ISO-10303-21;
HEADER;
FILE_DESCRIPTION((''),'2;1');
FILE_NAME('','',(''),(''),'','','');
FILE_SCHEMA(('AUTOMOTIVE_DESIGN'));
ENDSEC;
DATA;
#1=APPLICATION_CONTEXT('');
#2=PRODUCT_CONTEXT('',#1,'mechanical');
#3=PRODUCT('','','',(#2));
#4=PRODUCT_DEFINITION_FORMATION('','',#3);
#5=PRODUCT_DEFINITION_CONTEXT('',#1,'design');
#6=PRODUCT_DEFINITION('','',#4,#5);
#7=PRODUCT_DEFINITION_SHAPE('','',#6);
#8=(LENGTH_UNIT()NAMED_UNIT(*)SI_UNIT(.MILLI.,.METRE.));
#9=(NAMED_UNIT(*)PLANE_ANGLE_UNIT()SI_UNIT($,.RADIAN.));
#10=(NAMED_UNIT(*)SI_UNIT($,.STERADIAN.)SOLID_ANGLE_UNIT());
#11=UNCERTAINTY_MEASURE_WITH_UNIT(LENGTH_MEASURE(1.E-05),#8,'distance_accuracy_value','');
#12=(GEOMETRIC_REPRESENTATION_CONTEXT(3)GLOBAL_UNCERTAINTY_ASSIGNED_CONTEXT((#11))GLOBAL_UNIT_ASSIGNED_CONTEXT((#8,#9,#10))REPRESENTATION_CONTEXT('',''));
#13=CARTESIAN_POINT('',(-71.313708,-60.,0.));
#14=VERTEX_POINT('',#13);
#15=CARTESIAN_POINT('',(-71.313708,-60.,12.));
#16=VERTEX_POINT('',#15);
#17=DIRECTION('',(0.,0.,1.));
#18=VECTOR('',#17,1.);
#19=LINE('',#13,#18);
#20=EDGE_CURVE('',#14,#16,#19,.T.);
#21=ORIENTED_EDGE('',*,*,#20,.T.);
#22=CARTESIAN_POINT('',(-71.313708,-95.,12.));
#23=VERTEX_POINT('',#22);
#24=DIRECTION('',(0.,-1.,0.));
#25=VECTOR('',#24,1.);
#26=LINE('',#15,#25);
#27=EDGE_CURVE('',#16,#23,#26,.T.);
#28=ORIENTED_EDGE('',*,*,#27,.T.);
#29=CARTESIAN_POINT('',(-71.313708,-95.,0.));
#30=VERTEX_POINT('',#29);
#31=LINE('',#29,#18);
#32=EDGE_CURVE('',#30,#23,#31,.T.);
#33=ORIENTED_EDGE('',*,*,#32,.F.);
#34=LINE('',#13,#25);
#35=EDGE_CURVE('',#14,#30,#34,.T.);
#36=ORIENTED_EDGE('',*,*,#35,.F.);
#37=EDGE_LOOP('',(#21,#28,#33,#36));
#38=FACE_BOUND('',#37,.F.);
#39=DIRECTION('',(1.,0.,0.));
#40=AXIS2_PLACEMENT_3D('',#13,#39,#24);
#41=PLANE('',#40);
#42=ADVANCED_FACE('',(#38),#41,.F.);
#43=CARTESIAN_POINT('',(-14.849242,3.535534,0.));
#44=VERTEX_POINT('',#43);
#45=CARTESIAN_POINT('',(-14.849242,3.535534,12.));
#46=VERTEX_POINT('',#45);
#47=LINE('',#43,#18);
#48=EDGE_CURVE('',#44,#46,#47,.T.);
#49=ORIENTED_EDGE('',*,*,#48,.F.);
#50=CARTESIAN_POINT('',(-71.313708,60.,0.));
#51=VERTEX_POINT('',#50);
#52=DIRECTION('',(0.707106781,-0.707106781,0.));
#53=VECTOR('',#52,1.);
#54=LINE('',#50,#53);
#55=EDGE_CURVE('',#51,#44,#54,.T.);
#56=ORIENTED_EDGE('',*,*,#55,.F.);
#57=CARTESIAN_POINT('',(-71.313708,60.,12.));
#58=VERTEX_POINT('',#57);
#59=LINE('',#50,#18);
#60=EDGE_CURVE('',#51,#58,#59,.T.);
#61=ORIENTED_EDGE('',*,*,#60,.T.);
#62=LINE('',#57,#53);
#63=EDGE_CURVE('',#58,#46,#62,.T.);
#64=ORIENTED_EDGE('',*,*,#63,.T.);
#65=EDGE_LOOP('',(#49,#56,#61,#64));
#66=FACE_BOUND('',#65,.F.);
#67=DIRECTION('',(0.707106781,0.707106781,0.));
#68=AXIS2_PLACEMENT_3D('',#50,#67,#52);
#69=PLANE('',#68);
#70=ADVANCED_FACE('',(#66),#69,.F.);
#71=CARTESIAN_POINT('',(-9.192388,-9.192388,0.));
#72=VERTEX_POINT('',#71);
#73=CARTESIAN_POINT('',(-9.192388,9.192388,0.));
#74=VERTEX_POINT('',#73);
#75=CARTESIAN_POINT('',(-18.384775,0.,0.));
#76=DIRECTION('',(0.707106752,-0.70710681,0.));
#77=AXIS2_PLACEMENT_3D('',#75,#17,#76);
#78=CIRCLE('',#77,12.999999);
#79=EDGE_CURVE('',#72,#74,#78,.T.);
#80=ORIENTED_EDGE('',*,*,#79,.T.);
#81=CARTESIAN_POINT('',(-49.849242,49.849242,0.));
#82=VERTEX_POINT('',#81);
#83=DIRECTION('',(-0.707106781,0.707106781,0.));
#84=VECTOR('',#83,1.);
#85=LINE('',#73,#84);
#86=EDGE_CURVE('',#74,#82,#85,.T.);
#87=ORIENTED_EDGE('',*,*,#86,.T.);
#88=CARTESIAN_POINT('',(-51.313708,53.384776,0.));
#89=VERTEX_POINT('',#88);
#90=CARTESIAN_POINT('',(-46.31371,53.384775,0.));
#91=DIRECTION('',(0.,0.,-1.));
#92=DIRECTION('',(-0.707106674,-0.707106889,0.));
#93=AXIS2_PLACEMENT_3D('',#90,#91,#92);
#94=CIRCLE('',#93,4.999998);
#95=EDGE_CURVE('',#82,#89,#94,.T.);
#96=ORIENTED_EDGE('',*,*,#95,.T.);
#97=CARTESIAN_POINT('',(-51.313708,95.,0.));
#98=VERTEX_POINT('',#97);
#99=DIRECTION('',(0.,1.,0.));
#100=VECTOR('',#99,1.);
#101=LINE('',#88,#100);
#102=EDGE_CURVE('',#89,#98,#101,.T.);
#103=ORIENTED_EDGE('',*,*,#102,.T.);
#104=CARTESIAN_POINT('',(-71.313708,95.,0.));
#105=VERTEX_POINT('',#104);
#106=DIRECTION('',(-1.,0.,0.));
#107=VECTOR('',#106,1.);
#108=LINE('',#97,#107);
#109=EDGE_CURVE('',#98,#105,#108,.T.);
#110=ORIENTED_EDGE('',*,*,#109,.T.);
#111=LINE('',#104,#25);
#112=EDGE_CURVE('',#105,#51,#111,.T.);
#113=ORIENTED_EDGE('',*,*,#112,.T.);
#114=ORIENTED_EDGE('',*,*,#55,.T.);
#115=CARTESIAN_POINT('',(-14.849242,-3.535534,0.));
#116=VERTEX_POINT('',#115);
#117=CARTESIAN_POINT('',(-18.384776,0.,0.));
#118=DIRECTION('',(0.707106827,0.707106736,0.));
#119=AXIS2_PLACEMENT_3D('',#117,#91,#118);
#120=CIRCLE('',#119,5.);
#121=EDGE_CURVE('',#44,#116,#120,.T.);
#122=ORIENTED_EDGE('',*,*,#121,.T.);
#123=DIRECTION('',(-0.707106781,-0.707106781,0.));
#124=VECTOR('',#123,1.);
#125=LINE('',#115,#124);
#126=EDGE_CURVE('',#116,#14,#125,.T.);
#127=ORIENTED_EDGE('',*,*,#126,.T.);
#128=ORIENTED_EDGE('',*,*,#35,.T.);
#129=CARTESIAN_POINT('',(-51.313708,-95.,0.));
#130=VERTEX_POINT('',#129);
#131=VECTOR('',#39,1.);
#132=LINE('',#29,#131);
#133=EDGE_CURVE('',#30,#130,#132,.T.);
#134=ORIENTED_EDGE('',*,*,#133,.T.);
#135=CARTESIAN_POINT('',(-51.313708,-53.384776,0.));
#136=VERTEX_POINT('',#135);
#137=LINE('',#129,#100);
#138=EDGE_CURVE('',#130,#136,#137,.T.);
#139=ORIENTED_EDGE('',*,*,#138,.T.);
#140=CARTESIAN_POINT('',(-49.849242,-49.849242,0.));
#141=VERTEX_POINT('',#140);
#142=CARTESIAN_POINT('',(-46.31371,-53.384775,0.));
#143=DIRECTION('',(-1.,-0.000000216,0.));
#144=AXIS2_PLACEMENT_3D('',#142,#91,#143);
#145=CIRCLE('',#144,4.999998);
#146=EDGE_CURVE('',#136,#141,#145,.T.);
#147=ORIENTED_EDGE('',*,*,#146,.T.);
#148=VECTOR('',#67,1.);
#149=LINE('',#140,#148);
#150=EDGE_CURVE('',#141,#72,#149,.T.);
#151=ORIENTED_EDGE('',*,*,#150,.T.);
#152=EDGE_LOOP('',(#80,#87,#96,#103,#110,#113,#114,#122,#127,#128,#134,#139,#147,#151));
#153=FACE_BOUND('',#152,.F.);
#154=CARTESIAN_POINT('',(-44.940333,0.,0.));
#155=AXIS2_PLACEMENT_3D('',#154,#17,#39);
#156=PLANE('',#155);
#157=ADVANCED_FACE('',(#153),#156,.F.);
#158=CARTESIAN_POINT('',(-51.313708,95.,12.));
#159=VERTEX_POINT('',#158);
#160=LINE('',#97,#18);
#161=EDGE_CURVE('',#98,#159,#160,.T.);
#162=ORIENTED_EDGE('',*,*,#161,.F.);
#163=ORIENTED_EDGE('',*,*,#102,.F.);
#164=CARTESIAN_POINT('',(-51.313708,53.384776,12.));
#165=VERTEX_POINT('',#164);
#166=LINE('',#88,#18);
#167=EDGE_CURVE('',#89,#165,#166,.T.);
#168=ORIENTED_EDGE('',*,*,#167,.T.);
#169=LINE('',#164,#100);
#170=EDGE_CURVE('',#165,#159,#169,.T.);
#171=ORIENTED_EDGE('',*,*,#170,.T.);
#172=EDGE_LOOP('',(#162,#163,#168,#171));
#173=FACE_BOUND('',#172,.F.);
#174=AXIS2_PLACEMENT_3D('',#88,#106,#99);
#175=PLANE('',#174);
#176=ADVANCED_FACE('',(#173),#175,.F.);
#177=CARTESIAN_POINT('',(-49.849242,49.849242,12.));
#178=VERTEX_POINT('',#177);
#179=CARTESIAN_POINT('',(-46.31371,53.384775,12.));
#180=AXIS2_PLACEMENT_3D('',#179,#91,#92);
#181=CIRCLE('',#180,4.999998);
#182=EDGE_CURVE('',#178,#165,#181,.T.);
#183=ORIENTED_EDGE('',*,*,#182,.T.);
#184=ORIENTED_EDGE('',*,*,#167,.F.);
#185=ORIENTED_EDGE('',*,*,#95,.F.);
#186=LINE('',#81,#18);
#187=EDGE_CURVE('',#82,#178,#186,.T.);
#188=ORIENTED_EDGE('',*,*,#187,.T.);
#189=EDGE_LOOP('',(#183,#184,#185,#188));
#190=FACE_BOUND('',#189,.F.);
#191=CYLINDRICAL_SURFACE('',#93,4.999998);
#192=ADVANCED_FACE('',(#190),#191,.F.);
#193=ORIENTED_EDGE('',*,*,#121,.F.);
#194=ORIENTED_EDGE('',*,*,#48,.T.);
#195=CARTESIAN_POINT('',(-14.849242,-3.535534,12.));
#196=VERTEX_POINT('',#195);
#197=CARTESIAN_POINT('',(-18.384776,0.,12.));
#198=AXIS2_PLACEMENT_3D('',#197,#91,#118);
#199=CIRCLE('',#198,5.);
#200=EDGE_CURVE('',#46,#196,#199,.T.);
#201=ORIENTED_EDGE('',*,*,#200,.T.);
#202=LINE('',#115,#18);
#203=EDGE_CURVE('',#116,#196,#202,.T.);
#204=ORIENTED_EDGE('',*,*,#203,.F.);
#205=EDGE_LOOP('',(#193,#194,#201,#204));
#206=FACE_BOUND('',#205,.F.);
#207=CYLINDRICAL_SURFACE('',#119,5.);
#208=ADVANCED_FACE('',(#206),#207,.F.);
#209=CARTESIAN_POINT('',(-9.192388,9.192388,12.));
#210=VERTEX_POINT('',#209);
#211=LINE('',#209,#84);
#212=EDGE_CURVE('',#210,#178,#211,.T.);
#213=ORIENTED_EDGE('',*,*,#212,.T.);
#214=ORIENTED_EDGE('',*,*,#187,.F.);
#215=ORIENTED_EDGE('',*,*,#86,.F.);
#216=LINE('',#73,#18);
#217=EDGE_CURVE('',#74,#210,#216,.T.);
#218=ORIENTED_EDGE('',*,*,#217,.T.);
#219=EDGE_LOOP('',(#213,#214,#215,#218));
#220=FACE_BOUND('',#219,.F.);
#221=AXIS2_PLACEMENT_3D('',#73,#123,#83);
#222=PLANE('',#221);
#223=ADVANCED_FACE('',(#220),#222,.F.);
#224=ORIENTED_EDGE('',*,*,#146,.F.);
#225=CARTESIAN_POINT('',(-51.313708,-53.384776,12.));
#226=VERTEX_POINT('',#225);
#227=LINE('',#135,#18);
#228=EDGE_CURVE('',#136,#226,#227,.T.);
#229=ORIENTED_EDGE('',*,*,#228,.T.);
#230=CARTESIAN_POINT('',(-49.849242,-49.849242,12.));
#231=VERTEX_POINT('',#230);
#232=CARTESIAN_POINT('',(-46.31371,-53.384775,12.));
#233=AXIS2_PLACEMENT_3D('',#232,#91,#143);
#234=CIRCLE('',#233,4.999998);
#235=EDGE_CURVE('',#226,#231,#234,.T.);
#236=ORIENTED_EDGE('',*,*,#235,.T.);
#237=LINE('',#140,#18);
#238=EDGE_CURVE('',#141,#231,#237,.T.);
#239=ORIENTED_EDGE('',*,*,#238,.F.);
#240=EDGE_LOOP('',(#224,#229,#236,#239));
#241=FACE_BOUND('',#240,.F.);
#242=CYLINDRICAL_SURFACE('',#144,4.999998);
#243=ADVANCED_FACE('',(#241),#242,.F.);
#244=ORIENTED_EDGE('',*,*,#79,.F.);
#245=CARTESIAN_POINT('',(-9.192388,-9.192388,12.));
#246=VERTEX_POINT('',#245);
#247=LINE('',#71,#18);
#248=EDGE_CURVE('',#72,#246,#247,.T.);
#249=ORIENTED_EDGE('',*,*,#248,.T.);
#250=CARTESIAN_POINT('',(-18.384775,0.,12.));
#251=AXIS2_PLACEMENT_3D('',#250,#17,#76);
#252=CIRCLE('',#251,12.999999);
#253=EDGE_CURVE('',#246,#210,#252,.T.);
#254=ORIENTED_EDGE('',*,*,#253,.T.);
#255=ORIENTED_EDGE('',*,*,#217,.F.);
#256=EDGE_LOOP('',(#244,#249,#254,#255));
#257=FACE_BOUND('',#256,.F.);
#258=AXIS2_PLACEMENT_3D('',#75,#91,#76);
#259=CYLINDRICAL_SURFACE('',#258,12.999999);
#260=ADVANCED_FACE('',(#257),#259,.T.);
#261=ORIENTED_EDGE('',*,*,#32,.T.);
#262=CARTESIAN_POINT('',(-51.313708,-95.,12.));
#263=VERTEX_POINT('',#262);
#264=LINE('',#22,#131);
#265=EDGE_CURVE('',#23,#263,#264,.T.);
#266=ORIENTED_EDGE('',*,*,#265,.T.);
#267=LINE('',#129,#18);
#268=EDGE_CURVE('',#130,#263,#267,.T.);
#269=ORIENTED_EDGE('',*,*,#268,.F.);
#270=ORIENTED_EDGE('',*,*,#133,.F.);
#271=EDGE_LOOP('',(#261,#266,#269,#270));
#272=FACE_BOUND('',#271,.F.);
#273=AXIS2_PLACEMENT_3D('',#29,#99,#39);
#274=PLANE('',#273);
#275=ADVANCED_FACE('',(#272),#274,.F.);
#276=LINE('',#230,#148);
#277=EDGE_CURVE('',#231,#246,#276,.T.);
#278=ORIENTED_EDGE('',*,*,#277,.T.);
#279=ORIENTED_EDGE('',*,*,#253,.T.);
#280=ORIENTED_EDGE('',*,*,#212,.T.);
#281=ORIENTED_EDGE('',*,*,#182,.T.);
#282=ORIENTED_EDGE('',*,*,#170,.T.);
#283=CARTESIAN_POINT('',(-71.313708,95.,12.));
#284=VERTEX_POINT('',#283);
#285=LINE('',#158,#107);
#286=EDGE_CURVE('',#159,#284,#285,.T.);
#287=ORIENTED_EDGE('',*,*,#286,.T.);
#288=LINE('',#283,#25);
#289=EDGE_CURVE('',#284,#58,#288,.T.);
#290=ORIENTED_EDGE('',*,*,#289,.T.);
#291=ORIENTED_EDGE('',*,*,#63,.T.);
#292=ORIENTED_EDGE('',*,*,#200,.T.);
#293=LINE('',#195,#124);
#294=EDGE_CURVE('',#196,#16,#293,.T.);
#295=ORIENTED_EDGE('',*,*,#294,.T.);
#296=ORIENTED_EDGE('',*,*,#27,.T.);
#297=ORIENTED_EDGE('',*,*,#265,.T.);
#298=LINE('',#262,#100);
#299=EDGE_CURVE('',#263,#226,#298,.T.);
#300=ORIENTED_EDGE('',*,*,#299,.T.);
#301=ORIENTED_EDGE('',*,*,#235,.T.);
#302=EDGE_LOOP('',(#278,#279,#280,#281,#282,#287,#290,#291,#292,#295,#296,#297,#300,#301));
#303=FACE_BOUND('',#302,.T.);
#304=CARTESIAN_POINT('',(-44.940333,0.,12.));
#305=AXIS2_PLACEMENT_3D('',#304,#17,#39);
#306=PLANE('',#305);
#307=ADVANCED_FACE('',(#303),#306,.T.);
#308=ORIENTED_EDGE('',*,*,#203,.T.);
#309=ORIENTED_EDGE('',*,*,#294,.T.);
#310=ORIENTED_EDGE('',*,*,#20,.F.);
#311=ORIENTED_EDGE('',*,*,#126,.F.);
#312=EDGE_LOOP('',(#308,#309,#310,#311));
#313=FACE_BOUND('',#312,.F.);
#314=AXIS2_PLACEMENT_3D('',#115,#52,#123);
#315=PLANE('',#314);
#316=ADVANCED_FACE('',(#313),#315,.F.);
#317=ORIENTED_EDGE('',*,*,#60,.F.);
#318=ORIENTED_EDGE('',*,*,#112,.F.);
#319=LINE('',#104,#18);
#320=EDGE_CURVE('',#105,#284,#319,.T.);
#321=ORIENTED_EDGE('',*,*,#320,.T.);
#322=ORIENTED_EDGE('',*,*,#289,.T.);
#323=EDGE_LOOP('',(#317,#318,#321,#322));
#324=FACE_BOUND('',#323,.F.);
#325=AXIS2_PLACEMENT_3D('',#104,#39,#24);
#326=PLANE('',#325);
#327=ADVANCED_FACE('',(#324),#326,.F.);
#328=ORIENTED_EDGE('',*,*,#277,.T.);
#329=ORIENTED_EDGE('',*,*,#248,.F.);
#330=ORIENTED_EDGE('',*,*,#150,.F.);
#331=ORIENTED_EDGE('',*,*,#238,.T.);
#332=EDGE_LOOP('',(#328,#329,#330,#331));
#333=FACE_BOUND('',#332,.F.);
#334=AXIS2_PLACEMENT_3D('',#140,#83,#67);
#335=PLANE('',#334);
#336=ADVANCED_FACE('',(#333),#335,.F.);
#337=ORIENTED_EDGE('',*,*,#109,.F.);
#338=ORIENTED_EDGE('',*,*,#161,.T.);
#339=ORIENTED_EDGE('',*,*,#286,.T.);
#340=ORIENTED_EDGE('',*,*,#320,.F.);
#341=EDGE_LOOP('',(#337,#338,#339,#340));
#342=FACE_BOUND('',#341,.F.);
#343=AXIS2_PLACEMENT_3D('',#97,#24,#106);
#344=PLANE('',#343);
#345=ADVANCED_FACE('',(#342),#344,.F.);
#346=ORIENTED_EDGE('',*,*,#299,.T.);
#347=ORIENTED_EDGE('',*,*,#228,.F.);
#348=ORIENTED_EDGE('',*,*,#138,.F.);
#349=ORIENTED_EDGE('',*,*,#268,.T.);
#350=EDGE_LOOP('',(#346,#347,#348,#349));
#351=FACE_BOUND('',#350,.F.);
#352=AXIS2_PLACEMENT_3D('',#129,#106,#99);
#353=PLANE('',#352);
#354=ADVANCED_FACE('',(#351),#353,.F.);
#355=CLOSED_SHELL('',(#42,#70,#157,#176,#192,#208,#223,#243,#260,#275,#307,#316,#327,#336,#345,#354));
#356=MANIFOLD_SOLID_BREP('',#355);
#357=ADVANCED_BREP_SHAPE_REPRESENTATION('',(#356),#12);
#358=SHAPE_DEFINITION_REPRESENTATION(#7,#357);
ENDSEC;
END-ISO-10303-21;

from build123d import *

# Parameters (mm, degrees)
F1_DEPTH = 12


with BuildPart() as f1:
    # F0 (on Top) → F1 (new body)
    with BuildSketch(Plane.XY):
        with BuildLine():
            ThreePointArc((-9.192388, -9.192388), (-5.384776, 0), (-9.192388, 9.192388))
            Line((-9.192388, 9.192388), (-49.849242, 49.849242))
            ThreePointArc((-49.849242, 49.849242), (-50.933106, 51.471359), (-51.313708, 53.384776))
            Line((-51.313708, 53.384776), (-51.313708, 95))
            Line((-51.313708, 95), (-71.313708, 95))
            Line((-71.313708, 95), (-71.313708, 60))
            Line((-71.313708, 60), (-14.849242, 3.535534))
            ThreePointArc((-14.849242, 3.535534), (-13.384776, 0), (-14.849242, -3.535534))
            Line((-14.849242, -3.535534), (-71.313708, -60))
            Line((-71.313708, -60), (-71.313708, -95))
            Line((-71.313708, -95), (-51.313708, -95))
            Line((-51.313708, -95), (-51.313708, -53.384776))
            ThreePointArc((-51.313708, -53.384776), (-50.933106, -51.471359), (-49.849242, -49.849242))
            Line((-49.849242, -49.849242), (-9.192388, -9.192388))
        make_face()
    extrude(amount=F1_DEPTH)


solid = f1.part
